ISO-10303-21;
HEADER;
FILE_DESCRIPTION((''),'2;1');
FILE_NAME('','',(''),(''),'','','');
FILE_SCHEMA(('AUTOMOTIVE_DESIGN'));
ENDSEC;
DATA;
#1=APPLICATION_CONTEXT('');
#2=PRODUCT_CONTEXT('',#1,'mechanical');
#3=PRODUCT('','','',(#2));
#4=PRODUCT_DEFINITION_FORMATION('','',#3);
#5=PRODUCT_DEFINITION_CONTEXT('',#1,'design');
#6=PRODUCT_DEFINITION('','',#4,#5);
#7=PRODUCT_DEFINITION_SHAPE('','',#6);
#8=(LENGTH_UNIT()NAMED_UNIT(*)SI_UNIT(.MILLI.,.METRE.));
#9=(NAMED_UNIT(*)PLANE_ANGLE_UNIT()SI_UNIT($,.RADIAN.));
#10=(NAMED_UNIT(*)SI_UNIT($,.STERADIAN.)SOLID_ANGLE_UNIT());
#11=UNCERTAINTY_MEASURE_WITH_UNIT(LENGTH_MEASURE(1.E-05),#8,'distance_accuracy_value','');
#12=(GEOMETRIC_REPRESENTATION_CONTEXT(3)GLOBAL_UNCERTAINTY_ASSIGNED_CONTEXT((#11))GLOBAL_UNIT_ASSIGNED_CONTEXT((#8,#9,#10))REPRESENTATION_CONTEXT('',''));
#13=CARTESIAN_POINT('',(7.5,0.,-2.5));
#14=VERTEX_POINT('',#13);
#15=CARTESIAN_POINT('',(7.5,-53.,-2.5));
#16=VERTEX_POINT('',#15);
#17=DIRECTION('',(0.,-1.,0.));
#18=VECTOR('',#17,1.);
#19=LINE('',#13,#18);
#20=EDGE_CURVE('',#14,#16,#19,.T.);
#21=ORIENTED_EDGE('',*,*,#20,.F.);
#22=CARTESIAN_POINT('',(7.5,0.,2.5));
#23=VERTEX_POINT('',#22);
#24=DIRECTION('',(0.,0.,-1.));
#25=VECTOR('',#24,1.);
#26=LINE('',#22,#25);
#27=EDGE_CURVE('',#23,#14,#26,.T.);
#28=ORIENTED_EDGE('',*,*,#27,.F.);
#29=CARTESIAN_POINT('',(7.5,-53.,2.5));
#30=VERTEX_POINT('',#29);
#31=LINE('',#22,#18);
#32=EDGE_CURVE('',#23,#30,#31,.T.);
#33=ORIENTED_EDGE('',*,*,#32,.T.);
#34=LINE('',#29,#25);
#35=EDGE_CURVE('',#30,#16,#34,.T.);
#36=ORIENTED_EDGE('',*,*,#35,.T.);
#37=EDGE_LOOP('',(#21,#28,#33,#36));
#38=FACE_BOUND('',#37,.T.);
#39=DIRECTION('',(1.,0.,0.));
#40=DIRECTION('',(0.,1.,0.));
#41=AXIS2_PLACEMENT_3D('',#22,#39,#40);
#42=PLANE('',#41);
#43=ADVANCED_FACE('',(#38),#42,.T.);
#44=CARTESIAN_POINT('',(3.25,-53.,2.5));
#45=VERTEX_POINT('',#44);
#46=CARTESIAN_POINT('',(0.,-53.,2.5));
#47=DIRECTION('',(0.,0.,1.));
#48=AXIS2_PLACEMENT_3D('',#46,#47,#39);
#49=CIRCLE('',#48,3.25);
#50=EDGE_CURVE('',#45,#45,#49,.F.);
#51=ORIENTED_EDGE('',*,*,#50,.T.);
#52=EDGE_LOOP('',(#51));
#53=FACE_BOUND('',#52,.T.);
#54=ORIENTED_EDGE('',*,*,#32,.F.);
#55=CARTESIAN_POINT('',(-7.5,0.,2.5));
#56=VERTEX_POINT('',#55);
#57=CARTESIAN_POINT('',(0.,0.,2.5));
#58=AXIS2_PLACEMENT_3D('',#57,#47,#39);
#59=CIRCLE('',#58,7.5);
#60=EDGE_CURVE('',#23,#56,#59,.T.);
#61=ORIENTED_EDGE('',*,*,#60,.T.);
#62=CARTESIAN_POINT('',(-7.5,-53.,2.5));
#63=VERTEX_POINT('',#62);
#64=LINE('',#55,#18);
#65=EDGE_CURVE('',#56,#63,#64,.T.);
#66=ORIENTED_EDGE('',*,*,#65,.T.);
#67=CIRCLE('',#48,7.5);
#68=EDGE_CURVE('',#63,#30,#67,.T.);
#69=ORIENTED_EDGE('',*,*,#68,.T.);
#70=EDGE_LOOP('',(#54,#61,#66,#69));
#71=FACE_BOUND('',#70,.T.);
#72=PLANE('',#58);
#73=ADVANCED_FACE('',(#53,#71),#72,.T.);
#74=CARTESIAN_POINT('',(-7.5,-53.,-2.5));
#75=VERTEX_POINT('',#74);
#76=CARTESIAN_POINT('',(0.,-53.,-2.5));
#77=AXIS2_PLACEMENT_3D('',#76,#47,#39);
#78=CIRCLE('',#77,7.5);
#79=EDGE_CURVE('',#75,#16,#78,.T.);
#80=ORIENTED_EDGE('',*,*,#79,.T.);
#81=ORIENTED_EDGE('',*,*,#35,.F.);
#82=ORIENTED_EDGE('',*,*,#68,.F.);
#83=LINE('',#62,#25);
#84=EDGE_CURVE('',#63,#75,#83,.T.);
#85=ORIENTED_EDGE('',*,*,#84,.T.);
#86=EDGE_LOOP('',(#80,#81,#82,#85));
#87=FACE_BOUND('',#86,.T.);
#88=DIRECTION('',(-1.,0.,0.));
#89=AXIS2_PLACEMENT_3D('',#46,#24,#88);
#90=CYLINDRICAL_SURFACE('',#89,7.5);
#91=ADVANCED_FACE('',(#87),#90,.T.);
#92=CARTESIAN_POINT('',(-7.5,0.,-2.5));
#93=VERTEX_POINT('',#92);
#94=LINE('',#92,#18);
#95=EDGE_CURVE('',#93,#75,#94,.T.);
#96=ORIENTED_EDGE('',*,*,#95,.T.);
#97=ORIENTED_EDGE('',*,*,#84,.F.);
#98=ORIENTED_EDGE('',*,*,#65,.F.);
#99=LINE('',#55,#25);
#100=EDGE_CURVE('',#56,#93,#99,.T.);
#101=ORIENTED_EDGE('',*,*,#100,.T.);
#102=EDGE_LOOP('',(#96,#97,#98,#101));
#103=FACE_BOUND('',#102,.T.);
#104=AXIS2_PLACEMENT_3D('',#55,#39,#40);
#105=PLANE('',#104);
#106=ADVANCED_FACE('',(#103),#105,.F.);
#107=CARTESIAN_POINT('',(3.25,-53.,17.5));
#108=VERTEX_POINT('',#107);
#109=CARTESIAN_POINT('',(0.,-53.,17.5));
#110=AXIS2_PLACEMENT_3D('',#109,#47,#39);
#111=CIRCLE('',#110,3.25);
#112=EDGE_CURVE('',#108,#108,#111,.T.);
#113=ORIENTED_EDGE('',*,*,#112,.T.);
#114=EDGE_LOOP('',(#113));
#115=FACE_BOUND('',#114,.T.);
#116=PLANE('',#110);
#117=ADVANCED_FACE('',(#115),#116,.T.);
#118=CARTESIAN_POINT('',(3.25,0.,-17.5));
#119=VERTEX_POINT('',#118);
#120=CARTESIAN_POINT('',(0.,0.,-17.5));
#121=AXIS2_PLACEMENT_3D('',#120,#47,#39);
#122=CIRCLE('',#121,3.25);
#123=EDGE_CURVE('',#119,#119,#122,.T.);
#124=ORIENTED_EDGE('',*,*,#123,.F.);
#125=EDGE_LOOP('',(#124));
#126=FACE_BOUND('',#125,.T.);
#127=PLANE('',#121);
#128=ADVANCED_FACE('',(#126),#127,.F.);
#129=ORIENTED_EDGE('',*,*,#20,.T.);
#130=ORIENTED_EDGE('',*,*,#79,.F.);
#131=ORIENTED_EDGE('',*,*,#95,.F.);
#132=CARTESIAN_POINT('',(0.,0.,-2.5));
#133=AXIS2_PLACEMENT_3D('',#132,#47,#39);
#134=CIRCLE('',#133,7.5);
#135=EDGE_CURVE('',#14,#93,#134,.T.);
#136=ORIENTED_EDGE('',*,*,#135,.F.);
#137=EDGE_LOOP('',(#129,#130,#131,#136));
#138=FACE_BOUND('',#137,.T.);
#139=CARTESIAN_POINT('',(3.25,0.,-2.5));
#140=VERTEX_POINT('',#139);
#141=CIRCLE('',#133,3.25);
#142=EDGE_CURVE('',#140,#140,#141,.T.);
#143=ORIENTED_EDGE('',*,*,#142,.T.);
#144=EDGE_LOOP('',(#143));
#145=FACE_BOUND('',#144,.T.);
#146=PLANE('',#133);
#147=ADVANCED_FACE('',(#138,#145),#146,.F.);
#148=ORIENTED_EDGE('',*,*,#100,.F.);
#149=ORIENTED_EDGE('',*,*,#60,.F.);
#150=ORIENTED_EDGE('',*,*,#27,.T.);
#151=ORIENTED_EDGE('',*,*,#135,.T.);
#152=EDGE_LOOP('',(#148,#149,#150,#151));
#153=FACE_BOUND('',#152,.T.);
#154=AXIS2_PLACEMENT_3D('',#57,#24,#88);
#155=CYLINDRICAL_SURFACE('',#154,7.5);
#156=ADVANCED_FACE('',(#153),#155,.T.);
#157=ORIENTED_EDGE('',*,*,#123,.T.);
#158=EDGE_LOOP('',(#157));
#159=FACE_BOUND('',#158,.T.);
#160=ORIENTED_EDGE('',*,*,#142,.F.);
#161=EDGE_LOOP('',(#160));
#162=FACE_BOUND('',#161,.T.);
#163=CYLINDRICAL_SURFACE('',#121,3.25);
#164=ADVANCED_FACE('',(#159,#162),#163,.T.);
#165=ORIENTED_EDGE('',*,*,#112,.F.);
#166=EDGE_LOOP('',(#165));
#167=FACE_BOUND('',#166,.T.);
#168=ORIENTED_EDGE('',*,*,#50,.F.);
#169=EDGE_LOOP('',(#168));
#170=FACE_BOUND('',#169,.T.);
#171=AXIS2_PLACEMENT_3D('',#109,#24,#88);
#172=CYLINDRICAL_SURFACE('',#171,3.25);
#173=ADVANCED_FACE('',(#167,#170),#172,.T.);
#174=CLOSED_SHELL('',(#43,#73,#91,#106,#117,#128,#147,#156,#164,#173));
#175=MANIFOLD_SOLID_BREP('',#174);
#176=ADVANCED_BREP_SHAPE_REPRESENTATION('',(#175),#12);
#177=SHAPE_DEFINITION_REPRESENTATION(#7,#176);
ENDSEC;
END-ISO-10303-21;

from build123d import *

# Parameters (mm, degrees)
BOSS_EXTRUDE1_DEPTH = 2.5
SKETCH1_3_R         = 3.25
BOSS_EXTRUDE2_DEPTH = 17.5
SKETCH1_4_R         = 3.25
BOSS_EXTRUDE3_DEPTH = 17.5


with BuildPart() as part:
    # Sketch1 → Boss-Extrude1 (new, symmetric)
    with BuildSketch(Plane.XY):
        with BuildLine():
            Line((7.5, -53), (7.5, 0))
            ThreePointArc((7.5, 0), (0, 7.5), (-7.5, 0))
            Line((-7.5, 0), (-7.5, -53))
            ThreePointArc((-7.5, -53), (0, -60.5), (7.5, -53))
        make_face()
    extrude(amount=BOSS_EXTRUDE1_DEPTH, both=True)

    # Sketch1<3> → Boss-Extrude2 (add)
    with BuildSketch(Plane.XY):
        Circle(SKETCH1_3_R)
    extrude(amount=-BOSS_EXTRUDE2_DEPTH)

    # Sketch1<4> → Boss-Extrude3 (add)
    with BuildSketch(Plane.XY):
        with Locations((0, -53)):
            Circle(SKETCH1_4_R)
    extrude(amount=BOSS_EXTRUDE3_DEPTH)


solid = part.part
